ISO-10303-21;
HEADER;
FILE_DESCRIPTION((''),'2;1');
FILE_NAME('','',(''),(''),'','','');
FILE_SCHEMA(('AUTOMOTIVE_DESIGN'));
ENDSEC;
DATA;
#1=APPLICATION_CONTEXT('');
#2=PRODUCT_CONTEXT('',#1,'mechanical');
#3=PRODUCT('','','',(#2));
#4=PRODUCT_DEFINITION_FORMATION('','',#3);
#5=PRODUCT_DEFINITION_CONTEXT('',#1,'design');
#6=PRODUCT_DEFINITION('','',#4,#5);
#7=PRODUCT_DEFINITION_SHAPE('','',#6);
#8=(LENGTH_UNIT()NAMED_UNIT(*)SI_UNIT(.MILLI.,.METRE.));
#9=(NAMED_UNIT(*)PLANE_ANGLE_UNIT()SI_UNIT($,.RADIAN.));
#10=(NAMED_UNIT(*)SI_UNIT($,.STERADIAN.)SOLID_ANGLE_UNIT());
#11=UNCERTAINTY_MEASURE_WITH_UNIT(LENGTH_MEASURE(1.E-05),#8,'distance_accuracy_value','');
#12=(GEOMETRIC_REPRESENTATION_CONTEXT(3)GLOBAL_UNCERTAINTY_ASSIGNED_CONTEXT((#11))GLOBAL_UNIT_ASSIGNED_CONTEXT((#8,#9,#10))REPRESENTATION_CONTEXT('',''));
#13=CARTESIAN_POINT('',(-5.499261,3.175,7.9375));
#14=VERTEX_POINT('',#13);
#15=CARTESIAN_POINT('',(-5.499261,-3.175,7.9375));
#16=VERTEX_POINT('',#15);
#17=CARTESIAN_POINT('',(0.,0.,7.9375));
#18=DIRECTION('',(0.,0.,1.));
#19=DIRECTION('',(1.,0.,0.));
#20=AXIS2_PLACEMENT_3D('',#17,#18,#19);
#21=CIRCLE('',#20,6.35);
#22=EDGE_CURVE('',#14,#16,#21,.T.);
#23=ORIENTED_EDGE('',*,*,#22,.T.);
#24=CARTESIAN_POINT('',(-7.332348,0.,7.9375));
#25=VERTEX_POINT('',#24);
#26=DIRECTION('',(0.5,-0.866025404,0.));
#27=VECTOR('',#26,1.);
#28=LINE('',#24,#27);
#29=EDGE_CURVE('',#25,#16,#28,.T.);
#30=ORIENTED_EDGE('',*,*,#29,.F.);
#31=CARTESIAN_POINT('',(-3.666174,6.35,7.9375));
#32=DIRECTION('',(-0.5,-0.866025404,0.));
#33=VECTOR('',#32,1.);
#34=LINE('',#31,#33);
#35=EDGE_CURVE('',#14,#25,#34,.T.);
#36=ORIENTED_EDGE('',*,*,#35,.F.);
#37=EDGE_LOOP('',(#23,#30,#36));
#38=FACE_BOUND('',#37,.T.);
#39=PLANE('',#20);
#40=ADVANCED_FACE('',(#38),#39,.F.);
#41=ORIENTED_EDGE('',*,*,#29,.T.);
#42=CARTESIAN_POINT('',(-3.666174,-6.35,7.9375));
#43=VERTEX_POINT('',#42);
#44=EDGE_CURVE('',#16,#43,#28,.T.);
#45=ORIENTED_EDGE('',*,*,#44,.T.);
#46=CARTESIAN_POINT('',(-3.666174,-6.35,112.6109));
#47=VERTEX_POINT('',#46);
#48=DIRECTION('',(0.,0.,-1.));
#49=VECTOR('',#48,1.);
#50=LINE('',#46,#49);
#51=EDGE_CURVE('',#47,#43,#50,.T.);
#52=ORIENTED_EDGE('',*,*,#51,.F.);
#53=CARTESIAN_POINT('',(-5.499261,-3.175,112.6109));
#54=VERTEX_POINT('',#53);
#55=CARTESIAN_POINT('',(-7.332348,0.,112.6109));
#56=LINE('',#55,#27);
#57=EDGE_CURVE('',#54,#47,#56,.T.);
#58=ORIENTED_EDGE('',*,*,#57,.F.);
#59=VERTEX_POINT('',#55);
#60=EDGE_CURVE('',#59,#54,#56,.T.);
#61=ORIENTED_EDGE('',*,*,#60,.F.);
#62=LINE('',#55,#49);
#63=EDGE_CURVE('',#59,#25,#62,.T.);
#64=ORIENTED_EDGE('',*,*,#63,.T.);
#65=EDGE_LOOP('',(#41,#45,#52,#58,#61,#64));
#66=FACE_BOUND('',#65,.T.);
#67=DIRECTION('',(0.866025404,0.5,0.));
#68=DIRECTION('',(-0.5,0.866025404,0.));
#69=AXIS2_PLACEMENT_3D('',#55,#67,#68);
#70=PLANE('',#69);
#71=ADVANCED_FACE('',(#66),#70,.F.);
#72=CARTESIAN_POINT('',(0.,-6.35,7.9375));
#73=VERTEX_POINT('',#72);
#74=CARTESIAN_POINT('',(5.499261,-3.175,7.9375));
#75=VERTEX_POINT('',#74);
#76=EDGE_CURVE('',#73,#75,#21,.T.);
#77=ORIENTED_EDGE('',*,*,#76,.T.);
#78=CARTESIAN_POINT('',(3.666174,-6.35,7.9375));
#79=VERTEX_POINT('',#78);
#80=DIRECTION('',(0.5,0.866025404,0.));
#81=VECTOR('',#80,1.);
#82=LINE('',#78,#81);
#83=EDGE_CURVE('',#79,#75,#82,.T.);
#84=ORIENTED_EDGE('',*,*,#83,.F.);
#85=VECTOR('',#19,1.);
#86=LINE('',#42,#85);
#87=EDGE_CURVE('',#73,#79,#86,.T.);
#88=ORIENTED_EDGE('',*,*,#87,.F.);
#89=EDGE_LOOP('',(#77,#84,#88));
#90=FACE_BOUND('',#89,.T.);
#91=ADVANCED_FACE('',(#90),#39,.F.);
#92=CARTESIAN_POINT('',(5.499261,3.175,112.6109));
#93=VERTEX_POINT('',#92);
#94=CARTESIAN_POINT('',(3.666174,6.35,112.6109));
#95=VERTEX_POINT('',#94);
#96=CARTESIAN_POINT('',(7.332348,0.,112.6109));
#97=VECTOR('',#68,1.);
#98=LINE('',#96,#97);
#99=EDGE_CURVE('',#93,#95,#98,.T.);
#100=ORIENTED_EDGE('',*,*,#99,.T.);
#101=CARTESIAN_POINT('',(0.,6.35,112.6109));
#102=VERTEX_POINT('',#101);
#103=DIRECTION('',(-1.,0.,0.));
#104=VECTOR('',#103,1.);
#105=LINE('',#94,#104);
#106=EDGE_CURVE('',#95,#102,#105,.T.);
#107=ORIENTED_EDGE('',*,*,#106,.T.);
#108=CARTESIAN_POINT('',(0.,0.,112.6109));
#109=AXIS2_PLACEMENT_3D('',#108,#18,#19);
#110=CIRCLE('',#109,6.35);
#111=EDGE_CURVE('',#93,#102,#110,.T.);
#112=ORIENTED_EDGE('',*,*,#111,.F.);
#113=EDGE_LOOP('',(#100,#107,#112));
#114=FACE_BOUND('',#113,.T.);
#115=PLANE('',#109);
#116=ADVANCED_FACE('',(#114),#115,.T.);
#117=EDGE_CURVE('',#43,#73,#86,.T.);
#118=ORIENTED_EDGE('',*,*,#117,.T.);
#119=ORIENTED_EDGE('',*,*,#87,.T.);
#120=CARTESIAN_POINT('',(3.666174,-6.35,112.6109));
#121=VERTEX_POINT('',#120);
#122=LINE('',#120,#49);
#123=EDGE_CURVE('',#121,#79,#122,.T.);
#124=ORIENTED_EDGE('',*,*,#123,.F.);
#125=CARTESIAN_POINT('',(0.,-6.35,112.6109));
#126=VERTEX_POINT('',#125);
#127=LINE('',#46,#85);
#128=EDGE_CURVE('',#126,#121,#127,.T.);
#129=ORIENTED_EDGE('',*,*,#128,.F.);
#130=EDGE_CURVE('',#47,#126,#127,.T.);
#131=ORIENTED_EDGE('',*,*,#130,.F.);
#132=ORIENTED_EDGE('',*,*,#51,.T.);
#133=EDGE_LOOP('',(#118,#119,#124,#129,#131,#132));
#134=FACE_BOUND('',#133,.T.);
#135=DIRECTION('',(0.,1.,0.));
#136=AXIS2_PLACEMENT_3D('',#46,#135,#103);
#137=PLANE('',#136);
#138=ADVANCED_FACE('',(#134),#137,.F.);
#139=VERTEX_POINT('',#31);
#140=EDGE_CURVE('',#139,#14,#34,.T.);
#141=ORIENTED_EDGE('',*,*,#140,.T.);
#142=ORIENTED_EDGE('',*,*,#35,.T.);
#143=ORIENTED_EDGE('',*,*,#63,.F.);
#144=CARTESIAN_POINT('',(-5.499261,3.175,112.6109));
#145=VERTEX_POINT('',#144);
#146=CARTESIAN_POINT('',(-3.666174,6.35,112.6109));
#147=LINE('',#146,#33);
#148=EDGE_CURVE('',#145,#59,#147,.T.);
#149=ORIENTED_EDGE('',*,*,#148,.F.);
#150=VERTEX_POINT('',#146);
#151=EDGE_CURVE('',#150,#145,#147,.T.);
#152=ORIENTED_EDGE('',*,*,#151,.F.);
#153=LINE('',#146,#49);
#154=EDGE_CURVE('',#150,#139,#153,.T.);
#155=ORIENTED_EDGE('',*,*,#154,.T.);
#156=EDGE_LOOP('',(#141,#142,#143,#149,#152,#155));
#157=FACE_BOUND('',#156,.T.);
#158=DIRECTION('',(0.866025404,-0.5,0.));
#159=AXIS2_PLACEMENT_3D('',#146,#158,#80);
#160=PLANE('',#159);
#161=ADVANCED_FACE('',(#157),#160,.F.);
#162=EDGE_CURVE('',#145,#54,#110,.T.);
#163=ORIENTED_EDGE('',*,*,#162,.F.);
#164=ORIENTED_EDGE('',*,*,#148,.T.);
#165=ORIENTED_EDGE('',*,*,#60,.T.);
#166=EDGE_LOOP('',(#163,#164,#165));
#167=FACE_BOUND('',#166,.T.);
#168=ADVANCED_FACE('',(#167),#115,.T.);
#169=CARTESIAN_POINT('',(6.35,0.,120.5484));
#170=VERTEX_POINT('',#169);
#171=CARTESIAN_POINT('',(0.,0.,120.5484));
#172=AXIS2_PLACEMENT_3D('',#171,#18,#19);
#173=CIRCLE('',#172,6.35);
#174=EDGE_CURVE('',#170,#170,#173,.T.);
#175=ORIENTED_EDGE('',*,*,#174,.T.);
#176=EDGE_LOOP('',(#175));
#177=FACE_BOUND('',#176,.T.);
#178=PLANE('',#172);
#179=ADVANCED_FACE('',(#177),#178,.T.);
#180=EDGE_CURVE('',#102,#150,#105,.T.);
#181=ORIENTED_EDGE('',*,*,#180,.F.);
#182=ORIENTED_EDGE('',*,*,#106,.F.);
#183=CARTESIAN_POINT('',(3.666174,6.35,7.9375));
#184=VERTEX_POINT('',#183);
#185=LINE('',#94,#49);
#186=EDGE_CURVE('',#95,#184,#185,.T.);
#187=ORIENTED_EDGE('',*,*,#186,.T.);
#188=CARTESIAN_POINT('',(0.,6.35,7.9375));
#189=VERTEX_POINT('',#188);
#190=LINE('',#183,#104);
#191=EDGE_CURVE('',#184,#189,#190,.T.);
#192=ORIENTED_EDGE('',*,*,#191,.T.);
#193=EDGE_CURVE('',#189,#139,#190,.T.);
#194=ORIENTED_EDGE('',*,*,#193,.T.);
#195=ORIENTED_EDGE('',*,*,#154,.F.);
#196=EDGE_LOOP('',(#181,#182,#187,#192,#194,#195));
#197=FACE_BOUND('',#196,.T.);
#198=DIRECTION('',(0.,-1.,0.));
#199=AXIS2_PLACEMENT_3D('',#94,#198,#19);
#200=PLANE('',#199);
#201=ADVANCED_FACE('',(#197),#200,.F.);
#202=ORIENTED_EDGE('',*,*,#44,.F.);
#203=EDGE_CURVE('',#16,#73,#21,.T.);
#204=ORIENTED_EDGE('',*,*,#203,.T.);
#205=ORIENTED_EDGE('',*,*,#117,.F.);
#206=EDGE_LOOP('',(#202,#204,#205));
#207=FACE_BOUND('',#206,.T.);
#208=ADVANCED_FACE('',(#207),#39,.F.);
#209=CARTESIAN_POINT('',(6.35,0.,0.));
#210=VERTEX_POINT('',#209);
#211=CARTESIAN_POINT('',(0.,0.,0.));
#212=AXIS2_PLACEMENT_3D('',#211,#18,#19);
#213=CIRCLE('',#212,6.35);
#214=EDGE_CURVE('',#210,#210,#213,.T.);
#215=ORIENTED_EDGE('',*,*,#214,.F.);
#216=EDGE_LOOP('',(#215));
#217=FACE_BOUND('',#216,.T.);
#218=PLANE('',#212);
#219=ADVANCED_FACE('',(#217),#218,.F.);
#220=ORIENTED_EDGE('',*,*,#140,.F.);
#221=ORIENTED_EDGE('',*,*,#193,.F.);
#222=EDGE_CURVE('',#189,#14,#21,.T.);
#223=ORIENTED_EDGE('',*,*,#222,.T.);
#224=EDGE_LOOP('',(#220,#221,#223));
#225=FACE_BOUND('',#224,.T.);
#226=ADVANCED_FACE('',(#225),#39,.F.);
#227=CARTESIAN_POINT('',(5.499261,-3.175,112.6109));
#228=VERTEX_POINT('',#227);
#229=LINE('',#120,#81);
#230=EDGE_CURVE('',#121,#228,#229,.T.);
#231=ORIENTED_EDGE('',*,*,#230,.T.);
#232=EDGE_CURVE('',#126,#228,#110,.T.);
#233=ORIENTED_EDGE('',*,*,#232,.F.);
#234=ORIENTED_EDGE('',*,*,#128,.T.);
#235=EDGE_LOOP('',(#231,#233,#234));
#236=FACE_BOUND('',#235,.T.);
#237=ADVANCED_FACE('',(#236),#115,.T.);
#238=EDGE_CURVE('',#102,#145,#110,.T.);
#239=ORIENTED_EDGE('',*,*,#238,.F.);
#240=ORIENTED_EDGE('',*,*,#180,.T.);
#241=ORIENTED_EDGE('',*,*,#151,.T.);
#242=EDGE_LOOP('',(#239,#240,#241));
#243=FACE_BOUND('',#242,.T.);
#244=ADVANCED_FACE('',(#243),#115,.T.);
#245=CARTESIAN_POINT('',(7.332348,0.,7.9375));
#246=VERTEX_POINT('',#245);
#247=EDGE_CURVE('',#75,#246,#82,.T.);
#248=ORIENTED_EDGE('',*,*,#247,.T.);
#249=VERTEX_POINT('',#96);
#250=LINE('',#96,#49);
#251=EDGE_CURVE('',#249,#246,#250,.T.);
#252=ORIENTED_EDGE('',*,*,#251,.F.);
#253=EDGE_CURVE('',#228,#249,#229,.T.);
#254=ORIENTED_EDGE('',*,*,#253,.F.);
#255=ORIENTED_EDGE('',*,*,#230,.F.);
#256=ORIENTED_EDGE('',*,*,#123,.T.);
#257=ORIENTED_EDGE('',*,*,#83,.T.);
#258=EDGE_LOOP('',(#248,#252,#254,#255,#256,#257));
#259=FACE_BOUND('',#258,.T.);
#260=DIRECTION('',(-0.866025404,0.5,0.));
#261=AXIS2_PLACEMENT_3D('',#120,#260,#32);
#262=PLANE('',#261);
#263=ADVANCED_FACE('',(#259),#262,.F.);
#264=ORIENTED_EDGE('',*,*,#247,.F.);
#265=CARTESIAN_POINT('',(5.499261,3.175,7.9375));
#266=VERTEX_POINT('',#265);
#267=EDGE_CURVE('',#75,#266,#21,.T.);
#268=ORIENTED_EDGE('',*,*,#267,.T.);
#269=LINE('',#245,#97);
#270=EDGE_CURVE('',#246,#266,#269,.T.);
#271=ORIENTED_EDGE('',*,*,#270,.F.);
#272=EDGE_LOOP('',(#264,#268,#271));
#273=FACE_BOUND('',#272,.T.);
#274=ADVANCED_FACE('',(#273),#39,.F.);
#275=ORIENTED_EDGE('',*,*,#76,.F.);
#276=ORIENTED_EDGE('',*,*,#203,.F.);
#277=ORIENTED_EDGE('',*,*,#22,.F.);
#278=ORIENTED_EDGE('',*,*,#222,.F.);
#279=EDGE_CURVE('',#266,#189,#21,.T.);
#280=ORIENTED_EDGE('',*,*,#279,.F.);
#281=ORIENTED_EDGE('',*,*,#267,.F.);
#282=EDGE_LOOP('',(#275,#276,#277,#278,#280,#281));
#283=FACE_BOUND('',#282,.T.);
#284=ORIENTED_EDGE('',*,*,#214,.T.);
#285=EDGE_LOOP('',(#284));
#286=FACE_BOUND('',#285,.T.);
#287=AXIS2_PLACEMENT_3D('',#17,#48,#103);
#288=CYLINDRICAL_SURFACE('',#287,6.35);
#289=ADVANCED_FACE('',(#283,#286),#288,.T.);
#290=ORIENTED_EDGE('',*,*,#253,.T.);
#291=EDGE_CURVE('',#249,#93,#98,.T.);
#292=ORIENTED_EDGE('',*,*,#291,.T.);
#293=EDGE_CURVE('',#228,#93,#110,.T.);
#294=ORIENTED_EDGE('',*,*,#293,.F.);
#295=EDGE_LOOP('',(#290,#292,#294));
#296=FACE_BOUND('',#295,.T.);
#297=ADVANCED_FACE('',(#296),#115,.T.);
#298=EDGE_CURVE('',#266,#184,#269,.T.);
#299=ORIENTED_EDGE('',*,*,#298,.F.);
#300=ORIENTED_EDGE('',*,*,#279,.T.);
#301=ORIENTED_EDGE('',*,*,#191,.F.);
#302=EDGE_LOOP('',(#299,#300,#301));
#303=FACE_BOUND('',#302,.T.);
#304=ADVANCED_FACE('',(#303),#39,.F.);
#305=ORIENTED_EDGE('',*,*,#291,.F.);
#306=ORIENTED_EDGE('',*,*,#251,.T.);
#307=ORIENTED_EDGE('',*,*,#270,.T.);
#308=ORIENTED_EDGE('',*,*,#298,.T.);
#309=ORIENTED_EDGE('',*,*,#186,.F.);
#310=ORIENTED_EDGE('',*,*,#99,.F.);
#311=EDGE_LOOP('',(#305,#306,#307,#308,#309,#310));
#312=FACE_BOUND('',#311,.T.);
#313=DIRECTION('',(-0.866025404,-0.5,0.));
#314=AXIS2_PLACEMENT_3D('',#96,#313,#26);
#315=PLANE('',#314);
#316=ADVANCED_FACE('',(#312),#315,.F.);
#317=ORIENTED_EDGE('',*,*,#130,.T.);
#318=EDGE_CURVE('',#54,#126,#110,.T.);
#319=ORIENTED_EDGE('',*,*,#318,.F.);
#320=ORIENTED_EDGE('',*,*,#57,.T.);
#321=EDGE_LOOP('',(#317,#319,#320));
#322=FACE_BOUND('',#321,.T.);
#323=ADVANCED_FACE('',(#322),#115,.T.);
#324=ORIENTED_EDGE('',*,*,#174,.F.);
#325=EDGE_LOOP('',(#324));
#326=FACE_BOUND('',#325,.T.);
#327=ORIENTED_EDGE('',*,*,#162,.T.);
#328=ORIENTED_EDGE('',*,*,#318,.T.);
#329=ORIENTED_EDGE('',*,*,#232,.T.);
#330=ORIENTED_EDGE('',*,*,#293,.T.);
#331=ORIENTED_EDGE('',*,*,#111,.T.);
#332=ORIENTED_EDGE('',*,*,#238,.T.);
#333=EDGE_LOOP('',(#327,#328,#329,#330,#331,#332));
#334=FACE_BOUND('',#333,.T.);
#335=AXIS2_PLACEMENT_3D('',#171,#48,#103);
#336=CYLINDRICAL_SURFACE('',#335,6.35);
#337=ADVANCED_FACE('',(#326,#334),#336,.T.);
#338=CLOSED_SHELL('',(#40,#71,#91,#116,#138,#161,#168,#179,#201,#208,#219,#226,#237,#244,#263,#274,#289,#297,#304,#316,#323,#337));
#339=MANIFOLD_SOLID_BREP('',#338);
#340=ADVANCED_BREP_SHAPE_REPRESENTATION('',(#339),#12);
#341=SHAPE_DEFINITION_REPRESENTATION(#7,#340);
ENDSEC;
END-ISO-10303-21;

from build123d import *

# Parameters (mm, degrees)
SKETCH1_R           = 6.35
BOSS_EXTRUDE1_DEPTH = 7.9375
BOSS_EXTRUDE2_DEPTH = 104.6734
SKETCH3_R           = 6.35
BOSS_EXTRUDE3_DEPTH = 7.9375


with BuildPart() as part:
    # Sketch1 → Boss-Extrude1 (new body)
    with BuildSketch(Plane.XY):
        Circle(SKETCH1_R)
    extrude(amount=BOSS_EXTRUDE1_DEPTH)

    # Sketch2 → Boss-Extrude2 (add)
    with BuildSketch(Plane.XY.offset(7.9375)):
        Polygon((7.332348419, 0), (3.666174209, 6.35), (-3.666174209, 6.35), (-7.332348419, 0), (-3.666174209, -6.35), (3.666174209, -6.35), align=None)
    extrude(amount=BOSS_EXTRUDE2_DEPTH)

    # Sketch3 → Boss-Extrude3 (add)
    with BuildSketch(Plane.XY.offset(112.6109)):
        with Locations(Location((0, 0, 0), (0, 0, 150))):
            Circle(SKETCH3_R)
    extrude(amount=BOSS_EXTRUDE3_DEPTH)


solid = part.part
